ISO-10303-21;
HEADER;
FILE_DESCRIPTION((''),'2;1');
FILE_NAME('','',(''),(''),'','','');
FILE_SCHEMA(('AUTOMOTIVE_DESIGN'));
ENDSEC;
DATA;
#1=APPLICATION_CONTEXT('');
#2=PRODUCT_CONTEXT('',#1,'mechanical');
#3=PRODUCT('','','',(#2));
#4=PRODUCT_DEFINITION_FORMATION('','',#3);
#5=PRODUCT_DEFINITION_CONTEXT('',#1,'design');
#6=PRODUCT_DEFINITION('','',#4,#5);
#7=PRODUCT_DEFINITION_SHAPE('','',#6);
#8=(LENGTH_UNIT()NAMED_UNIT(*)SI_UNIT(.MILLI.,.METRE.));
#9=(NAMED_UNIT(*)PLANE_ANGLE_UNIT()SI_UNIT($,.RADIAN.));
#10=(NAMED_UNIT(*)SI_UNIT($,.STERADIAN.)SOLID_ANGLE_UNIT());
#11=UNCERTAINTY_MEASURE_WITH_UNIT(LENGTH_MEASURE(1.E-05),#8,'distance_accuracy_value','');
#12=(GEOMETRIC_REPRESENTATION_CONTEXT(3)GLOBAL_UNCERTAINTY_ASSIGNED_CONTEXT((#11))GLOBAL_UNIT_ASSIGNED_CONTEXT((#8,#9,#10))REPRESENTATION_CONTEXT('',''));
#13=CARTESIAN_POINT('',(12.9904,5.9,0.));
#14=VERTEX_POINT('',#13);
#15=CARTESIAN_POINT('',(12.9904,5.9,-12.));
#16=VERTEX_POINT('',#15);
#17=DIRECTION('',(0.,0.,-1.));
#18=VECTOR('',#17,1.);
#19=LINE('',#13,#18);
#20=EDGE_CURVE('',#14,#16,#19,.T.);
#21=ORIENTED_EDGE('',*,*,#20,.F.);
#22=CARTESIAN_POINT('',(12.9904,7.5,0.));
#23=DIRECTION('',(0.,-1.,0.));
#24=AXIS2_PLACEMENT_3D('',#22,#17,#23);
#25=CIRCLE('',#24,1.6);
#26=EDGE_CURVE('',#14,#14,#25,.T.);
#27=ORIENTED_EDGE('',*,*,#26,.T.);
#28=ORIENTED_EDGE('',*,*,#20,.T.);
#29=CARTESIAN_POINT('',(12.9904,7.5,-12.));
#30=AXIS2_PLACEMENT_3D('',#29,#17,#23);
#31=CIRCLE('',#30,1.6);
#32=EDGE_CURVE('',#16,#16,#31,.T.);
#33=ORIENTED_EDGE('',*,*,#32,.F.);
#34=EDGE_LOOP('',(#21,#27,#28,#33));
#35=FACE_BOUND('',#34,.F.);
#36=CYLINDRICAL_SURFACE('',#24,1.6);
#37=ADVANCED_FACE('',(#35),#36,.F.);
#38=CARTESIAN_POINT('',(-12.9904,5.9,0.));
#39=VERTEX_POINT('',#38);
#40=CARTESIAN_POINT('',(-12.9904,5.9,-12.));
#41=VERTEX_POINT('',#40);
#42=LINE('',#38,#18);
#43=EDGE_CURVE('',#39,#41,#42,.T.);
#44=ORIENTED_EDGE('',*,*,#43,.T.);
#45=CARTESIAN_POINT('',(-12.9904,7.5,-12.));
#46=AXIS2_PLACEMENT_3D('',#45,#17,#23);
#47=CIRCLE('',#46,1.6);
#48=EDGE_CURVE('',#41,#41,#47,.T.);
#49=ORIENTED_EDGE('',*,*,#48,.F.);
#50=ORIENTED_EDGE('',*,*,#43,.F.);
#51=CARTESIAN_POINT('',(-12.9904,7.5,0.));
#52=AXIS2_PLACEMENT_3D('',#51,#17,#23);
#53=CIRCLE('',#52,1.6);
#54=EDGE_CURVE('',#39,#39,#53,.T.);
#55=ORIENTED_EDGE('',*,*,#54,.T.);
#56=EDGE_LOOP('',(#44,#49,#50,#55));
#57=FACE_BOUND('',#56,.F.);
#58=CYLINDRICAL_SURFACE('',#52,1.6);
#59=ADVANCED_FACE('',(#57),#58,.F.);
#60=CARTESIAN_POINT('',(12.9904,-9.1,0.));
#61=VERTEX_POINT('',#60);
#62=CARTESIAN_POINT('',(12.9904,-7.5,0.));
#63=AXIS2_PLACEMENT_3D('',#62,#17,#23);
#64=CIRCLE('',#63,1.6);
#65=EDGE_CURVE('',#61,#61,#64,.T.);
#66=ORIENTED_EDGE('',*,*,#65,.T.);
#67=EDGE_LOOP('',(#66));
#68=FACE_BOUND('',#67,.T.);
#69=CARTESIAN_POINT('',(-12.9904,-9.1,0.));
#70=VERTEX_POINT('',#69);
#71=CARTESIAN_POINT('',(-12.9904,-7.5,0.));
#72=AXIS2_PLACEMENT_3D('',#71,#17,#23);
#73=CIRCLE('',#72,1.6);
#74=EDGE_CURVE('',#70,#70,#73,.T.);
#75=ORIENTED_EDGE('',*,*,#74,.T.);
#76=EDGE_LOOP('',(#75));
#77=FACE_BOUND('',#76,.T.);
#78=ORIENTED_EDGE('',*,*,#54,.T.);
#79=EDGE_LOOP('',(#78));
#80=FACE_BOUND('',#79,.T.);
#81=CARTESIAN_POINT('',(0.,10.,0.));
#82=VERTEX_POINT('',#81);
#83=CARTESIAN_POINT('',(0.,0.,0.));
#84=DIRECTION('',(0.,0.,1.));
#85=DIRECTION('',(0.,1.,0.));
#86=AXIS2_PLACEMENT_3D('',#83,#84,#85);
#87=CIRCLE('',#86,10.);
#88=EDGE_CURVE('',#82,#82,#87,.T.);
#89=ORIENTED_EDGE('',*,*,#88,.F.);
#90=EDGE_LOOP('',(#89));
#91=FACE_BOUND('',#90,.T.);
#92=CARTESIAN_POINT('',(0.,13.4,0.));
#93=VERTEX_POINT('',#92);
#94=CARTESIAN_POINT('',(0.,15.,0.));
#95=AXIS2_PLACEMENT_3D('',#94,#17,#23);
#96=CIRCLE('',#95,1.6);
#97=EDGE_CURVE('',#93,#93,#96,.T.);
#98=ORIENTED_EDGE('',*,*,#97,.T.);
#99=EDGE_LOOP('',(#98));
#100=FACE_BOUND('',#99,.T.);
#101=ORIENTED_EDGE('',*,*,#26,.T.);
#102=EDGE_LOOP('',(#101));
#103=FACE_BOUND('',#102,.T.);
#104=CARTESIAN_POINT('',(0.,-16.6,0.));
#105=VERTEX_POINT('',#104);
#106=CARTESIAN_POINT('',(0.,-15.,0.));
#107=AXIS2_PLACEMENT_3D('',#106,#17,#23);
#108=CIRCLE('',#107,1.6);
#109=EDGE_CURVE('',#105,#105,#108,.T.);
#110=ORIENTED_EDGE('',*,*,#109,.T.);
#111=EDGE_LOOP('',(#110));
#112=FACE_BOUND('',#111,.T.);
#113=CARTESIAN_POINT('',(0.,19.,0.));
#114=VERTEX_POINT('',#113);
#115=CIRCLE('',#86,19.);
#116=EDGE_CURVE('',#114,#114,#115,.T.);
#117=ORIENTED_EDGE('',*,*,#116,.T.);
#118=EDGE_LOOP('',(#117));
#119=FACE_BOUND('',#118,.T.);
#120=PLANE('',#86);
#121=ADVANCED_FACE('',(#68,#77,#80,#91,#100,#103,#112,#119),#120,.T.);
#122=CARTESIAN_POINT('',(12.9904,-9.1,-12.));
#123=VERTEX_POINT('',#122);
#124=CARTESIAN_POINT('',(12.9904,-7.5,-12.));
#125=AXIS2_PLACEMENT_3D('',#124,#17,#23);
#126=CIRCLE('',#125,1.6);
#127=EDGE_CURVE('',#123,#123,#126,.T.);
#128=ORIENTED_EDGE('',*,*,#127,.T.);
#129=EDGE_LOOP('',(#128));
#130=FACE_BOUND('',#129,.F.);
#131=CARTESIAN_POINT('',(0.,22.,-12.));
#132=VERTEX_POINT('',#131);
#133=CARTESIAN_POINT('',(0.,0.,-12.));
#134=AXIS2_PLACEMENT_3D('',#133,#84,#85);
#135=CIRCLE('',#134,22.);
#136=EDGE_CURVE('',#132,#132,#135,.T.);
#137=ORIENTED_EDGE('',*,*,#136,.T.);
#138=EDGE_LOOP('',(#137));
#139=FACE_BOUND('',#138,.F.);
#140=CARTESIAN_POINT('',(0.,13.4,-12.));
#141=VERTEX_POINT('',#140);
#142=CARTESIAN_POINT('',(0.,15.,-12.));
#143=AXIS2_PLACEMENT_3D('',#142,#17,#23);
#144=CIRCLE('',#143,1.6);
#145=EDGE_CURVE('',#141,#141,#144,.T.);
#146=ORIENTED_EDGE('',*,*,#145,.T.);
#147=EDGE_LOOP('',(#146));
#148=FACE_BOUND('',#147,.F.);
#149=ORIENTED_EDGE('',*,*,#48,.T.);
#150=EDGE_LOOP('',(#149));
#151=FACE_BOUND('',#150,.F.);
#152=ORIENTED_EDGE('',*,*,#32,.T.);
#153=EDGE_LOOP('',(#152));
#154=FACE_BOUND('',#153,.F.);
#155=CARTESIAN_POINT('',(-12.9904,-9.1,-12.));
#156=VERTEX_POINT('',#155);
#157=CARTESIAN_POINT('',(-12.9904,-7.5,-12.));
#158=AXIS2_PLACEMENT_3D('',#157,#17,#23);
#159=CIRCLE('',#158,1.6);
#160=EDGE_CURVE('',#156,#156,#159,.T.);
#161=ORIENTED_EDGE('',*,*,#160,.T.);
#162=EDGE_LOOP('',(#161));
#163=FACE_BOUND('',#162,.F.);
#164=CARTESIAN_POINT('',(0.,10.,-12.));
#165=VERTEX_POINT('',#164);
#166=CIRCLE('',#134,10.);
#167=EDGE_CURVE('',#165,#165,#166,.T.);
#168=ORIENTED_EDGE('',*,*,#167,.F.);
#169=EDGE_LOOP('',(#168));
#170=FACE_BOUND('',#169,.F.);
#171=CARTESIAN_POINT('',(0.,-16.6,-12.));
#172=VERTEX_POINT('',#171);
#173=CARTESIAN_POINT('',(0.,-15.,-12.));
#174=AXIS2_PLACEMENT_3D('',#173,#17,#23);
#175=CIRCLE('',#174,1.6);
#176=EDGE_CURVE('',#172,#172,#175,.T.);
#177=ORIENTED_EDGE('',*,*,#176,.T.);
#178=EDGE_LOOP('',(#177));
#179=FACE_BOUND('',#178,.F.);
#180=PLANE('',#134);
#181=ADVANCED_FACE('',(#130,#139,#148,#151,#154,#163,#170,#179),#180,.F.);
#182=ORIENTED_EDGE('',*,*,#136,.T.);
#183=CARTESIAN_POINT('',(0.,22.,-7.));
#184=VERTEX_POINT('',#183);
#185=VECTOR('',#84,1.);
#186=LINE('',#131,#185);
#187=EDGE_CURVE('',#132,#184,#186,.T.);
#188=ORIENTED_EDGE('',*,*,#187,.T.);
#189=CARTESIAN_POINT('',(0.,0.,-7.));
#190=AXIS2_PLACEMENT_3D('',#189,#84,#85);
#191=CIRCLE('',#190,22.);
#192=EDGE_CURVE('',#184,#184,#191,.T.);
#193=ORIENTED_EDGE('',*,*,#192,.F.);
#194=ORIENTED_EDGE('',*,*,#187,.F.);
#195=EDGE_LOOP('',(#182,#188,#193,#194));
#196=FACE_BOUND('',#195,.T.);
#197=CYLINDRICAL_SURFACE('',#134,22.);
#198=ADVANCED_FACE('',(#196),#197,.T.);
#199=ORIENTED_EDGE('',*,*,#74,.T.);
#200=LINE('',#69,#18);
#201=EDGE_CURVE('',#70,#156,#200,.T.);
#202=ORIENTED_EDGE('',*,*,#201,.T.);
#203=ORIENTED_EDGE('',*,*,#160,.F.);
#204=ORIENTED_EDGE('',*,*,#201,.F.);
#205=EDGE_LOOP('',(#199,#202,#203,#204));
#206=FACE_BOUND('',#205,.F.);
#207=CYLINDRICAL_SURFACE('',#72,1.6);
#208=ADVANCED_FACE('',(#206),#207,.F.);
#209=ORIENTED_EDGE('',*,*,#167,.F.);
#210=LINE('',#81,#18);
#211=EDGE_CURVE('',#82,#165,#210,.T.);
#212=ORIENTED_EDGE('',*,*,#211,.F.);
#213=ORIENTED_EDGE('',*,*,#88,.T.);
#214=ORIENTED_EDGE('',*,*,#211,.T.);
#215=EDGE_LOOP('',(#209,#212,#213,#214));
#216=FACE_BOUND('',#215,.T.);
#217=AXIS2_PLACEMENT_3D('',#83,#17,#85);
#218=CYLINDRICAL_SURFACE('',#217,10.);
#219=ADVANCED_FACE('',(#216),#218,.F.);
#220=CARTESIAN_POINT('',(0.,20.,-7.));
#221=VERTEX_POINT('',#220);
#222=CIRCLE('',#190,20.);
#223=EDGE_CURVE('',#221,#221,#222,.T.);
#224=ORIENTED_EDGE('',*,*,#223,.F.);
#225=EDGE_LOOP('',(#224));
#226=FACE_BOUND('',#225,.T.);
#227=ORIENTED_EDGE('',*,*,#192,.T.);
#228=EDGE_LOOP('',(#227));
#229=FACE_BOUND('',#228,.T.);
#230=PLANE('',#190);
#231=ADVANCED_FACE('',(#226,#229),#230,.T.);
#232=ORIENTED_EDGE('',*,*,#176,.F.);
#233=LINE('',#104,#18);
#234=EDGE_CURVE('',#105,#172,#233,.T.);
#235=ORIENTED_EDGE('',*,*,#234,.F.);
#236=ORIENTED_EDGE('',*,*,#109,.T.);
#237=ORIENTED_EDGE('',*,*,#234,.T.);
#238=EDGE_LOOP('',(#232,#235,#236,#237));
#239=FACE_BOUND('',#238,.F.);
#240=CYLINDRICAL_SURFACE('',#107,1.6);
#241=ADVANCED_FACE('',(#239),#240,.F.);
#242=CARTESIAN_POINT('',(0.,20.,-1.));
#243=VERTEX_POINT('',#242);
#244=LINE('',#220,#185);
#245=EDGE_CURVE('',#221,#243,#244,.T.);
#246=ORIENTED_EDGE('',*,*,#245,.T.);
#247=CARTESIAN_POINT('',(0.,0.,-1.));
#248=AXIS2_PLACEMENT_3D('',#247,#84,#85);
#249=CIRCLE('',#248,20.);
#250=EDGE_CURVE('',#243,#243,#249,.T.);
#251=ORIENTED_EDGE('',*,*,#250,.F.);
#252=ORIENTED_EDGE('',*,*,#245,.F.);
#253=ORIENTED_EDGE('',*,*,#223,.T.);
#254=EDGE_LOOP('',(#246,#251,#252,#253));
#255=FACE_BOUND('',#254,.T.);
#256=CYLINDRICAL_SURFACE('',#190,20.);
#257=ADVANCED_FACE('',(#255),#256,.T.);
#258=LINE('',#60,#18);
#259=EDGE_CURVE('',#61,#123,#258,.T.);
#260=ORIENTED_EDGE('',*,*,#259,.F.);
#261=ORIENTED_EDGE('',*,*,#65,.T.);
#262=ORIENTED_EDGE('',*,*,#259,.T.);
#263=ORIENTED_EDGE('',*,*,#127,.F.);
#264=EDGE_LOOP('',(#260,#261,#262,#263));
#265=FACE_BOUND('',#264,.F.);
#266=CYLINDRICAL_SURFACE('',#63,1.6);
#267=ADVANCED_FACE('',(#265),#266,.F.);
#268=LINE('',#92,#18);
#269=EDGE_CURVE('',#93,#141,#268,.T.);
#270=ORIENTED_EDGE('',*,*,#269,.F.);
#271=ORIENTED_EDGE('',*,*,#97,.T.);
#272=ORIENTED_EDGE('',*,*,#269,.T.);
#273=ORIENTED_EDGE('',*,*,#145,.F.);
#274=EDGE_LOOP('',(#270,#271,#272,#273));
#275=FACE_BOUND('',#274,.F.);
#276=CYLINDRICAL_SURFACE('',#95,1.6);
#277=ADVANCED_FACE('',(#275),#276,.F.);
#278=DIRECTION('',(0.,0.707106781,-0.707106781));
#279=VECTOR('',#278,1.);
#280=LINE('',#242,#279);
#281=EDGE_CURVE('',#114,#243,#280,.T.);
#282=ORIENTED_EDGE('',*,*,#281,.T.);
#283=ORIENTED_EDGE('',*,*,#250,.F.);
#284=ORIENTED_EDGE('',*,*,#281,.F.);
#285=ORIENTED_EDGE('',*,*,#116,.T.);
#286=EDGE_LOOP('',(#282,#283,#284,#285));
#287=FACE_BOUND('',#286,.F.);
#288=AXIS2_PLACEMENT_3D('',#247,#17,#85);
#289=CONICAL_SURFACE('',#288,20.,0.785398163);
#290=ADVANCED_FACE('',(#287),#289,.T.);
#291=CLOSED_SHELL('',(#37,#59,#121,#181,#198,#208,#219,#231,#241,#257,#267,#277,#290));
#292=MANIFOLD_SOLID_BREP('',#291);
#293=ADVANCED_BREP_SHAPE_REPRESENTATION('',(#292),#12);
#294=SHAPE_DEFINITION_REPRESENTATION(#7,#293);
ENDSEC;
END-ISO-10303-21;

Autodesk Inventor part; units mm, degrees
ref_plane "YZ Plane" through (0, 0, 0) normal (1, 0, 0) x (0, 1, 0)
ref_plane "XZ Plane" through (0, 0, 0) normal (0, 1, 0) x (-1, 0, 0)
ref_plane "XY Plane" through (0, 0, 0) normal (0, 0, 1) x (1, 0, 0)
sketch "スケッチ1" plane through (0, 0, 0) normal (1, 0, 0) x (0, 1, 0)
  line L0 (10, 0) -> (10, -12)
  line L1 (22, -12) -> (22, -7)
  line L2 (22, -7) -> (20, -7)
  line L3 (20, -7) -> (20, 0)
  line L4 (20, 0) -> (10, 0)
  line L5 (0, -14.4) -> (0, 2.4) projected
  line L6 (22, -12) -> (10, -12)
  point P0 (0, 0)
  dimension "d0" = 20
  dimension "d1" = 2
  dimension "d2" = 7
  dimension "d3" = 5
  dimension "d4" = 10
revolve "回転1" add sketch "スケッチ1" angle 360 about axis through (0, 0, -10) along (0, 0, 1)
sketch "スケッチ2" plane through (0, 0, 0) normal (0, 0, 1) x (1, 0, 0)
  circle A0 centre (0, 0) radius 20 projected
  circle A1 centre (0, 0) radius 15
  point P0 (0, 15)
  point P1 (-12.9904, 7.5)
  point P2 (-12.9904, -7.5)
  point P3 (0, -15)
  point P4 (12.9904, -7.5)
  point P5 (12.9904, 7.5)
  dimension "d8" = 5
  dimension "d11" = 360
hole "穴1" at (0, 15, 0) at (-12.9904, 7.5, 0) at (-12.9904, -7.5, 0) at (0, -15, 0) at (12.9904, -7.5, 0) at (12.9904, 7.5, 0) direction (0, 0, -1) diameter 3.2 end through all clearance for "Socket Head Cap Screw" size "M3" standard "Ansi Metric M Profile"
chamfer "面取り1" distance 1 angle 45 1 edges at (0, -20, 0)
properties part number "base1" material "ABS プラスチック"
